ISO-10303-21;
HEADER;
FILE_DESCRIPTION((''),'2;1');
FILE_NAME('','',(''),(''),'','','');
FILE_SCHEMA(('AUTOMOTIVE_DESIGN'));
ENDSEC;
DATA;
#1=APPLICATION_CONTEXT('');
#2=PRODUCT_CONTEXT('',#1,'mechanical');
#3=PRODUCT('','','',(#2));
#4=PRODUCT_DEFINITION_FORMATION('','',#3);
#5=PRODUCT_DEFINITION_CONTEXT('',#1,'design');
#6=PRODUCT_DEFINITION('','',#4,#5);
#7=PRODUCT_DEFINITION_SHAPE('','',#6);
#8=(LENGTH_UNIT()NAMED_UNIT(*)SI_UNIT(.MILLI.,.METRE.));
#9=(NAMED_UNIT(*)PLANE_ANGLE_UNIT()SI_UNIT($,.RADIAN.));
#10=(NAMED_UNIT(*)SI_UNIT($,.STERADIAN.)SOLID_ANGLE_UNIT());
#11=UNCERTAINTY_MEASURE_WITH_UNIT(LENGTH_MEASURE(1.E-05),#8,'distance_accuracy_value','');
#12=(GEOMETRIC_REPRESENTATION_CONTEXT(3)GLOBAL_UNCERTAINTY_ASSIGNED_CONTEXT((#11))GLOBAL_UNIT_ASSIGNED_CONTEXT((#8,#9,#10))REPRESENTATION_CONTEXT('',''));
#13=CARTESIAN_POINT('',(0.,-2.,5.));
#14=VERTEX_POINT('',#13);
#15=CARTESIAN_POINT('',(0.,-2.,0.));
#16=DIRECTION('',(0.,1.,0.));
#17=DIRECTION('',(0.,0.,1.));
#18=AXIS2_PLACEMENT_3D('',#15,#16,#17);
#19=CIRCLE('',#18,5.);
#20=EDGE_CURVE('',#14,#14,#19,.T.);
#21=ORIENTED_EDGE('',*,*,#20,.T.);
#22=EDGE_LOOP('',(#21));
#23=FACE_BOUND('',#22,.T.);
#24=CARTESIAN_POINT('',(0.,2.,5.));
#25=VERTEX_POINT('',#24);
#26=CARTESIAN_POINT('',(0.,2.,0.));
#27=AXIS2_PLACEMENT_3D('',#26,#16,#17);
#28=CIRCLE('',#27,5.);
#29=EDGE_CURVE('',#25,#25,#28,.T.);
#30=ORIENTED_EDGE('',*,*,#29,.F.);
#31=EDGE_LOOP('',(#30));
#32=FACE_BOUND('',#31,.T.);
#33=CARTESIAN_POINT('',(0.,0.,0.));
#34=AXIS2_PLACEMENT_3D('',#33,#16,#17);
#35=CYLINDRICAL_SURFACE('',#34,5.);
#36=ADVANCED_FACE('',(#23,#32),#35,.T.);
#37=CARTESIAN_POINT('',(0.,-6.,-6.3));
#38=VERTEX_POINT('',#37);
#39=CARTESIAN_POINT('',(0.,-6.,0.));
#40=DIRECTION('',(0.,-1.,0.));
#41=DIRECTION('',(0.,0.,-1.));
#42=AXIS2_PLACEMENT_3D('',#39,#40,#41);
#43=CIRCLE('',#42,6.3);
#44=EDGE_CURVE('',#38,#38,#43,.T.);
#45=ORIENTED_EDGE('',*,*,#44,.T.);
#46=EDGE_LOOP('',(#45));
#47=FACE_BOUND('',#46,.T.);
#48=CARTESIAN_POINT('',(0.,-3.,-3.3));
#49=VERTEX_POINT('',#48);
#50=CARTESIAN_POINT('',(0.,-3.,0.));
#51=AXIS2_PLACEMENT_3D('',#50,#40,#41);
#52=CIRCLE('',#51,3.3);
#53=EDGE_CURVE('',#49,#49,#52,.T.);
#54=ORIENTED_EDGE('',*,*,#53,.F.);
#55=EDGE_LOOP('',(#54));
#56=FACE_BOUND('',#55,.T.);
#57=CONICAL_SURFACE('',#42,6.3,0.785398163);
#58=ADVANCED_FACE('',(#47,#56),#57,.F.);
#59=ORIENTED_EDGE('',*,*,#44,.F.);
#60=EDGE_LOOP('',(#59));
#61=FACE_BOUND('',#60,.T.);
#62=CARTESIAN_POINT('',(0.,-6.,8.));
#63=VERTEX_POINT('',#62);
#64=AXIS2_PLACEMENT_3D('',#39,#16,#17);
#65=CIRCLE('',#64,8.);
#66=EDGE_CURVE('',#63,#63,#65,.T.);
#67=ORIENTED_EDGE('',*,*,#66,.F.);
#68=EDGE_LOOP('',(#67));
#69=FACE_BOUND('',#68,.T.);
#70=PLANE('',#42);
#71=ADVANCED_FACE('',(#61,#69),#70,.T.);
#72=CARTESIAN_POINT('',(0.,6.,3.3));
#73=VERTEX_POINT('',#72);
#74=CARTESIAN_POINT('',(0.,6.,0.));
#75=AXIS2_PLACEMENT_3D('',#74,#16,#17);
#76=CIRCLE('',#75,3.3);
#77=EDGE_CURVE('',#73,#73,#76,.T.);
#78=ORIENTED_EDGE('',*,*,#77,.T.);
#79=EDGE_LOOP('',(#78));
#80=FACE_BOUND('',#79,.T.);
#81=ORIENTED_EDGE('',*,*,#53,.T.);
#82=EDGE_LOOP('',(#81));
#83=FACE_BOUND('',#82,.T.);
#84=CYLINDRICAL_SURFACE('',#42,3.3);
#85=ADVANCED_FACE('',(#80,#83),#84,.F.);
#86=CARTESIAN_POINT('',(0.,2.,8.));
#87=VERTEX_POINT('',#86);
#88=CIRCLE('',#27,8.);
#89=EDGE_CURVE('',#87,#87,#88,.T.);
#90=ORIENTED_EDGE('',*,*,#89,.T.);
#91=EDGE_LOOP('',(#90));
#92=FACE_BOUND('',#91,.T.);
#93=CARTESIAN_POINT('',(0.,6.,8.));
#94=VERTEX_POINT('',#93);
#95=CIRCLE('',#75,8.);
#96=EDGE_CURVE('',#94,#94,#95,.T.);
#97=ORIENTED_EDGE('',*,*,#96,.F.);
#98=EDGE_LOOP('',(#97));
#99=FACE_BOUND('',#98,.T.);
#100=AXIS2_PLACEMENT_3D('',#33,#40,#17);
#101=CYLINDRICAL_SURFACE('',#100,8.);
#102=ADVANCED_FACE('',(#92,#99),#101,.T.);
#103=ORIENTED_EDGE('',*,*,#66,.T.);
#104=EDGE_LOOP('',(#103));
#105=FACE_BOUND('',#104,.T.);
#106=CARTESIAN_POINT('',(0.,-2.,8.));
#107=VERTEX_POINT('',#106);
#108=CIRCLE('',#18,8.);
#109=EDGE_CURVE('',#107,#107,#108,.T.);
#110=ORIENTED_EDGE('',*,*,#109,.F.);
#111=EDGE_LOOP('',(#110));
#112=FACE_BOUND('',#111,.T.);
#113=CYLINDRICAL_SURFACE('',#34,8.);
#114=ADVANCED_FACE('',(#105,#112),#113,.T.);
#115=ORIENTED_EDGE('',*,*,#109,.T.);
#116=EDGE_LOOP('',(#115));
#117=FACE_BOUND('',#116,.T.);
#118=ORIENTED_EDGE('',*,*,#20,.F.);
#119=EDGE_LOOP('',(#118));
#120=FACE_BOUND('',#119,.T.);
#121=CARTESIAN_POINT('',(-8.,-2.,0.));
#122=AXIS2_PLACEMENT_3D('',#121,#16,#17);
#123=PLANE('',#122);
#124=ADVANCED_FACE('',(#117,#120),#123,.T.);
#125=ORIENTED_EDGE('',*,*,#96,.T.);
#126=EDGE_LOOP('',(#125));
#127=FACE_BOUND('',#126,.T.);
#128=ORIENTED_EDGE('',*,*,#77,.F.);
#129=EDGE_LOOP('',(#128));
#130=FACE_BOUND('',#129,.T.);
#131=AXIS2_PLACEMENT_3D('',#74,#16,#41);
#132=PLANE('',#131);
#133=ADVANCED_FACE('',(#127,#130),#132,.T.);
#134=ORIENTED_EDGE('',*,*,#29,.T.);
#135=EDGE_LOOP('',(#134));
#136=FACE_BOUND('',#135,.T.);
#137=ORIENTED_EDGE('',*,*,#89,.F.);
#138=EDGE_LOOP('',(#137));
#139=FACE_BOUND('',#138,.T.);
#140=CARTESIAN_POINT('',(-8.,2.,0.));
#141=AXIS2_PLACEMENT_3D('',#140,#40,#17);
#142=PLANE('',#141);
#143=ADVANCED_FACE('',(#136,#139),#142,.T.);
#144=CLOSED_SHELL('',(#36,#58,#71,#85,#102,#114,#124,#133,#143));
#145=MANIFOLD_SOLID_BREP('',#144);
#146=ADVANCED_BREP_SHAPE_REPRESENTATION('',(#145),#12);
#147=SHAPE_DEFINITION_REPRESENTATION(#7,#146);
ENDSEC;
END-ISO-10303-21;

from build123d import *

# Parameters (mm, degrees)
CSK_FOR_M6_FLAT_HEAD_MACHINE_SCREW1_D           = 6.6
CSK_FOR_M6_FLAT_HEAD_MACHINE_SCREW1_CSINK_D     = 12.6
CSK_FOR_M6_FLAT_HEAD_MACHINE_SCREW1_CSINK_ANGLE = 90


with BuildPart() as part:
    # Sketch1 → Revolve1 (revolve)
    with BuildSketch(Plane.XY, mode=Mode.PRIVATE) as revolve1_sk:
        Polygon((0, 0), (0, -6), (-8, -6), (-8, -2), (-5, -2), (-5, 0), align=None)
    revolve(revolve1_sk.sketch.rotate(Axis((0, 0, 0), (0, -1, 0)), 270), axis=Axis((0, 0, 0), (0, -1, 0)))

    # Mirror1: part across plane


with BuildPart() as part_1:
    add(part.part)
    add(part.part.mirror(Plane(origin=(-5, 0, 0), x_dir=(0, 0, 1), z_dir=(0, 1, 0))))

    # CSK for M6 Flat Head Machine Screw1 (through all)
    with Locations(Plane(origin=(0, -6, 0), x_dir=(-1, 0, 0), z_dir=(0, -1, 0))):
        with Locations((0, 0)):
            CounterSinkHole(CSK_FOR_M6_FLAT_HEAD_MACHINE_SCREW1_D / 2, CSK_FOR_M6_FLAT_HEAD_MACHINE_SCREW1_CSINK_D / 2, counter_sink_angle=CSK_FOR_M6_FLAT_HEAD_MACHINE_SCREW1_CSINK_ANGLE)


solid = part_1.part
